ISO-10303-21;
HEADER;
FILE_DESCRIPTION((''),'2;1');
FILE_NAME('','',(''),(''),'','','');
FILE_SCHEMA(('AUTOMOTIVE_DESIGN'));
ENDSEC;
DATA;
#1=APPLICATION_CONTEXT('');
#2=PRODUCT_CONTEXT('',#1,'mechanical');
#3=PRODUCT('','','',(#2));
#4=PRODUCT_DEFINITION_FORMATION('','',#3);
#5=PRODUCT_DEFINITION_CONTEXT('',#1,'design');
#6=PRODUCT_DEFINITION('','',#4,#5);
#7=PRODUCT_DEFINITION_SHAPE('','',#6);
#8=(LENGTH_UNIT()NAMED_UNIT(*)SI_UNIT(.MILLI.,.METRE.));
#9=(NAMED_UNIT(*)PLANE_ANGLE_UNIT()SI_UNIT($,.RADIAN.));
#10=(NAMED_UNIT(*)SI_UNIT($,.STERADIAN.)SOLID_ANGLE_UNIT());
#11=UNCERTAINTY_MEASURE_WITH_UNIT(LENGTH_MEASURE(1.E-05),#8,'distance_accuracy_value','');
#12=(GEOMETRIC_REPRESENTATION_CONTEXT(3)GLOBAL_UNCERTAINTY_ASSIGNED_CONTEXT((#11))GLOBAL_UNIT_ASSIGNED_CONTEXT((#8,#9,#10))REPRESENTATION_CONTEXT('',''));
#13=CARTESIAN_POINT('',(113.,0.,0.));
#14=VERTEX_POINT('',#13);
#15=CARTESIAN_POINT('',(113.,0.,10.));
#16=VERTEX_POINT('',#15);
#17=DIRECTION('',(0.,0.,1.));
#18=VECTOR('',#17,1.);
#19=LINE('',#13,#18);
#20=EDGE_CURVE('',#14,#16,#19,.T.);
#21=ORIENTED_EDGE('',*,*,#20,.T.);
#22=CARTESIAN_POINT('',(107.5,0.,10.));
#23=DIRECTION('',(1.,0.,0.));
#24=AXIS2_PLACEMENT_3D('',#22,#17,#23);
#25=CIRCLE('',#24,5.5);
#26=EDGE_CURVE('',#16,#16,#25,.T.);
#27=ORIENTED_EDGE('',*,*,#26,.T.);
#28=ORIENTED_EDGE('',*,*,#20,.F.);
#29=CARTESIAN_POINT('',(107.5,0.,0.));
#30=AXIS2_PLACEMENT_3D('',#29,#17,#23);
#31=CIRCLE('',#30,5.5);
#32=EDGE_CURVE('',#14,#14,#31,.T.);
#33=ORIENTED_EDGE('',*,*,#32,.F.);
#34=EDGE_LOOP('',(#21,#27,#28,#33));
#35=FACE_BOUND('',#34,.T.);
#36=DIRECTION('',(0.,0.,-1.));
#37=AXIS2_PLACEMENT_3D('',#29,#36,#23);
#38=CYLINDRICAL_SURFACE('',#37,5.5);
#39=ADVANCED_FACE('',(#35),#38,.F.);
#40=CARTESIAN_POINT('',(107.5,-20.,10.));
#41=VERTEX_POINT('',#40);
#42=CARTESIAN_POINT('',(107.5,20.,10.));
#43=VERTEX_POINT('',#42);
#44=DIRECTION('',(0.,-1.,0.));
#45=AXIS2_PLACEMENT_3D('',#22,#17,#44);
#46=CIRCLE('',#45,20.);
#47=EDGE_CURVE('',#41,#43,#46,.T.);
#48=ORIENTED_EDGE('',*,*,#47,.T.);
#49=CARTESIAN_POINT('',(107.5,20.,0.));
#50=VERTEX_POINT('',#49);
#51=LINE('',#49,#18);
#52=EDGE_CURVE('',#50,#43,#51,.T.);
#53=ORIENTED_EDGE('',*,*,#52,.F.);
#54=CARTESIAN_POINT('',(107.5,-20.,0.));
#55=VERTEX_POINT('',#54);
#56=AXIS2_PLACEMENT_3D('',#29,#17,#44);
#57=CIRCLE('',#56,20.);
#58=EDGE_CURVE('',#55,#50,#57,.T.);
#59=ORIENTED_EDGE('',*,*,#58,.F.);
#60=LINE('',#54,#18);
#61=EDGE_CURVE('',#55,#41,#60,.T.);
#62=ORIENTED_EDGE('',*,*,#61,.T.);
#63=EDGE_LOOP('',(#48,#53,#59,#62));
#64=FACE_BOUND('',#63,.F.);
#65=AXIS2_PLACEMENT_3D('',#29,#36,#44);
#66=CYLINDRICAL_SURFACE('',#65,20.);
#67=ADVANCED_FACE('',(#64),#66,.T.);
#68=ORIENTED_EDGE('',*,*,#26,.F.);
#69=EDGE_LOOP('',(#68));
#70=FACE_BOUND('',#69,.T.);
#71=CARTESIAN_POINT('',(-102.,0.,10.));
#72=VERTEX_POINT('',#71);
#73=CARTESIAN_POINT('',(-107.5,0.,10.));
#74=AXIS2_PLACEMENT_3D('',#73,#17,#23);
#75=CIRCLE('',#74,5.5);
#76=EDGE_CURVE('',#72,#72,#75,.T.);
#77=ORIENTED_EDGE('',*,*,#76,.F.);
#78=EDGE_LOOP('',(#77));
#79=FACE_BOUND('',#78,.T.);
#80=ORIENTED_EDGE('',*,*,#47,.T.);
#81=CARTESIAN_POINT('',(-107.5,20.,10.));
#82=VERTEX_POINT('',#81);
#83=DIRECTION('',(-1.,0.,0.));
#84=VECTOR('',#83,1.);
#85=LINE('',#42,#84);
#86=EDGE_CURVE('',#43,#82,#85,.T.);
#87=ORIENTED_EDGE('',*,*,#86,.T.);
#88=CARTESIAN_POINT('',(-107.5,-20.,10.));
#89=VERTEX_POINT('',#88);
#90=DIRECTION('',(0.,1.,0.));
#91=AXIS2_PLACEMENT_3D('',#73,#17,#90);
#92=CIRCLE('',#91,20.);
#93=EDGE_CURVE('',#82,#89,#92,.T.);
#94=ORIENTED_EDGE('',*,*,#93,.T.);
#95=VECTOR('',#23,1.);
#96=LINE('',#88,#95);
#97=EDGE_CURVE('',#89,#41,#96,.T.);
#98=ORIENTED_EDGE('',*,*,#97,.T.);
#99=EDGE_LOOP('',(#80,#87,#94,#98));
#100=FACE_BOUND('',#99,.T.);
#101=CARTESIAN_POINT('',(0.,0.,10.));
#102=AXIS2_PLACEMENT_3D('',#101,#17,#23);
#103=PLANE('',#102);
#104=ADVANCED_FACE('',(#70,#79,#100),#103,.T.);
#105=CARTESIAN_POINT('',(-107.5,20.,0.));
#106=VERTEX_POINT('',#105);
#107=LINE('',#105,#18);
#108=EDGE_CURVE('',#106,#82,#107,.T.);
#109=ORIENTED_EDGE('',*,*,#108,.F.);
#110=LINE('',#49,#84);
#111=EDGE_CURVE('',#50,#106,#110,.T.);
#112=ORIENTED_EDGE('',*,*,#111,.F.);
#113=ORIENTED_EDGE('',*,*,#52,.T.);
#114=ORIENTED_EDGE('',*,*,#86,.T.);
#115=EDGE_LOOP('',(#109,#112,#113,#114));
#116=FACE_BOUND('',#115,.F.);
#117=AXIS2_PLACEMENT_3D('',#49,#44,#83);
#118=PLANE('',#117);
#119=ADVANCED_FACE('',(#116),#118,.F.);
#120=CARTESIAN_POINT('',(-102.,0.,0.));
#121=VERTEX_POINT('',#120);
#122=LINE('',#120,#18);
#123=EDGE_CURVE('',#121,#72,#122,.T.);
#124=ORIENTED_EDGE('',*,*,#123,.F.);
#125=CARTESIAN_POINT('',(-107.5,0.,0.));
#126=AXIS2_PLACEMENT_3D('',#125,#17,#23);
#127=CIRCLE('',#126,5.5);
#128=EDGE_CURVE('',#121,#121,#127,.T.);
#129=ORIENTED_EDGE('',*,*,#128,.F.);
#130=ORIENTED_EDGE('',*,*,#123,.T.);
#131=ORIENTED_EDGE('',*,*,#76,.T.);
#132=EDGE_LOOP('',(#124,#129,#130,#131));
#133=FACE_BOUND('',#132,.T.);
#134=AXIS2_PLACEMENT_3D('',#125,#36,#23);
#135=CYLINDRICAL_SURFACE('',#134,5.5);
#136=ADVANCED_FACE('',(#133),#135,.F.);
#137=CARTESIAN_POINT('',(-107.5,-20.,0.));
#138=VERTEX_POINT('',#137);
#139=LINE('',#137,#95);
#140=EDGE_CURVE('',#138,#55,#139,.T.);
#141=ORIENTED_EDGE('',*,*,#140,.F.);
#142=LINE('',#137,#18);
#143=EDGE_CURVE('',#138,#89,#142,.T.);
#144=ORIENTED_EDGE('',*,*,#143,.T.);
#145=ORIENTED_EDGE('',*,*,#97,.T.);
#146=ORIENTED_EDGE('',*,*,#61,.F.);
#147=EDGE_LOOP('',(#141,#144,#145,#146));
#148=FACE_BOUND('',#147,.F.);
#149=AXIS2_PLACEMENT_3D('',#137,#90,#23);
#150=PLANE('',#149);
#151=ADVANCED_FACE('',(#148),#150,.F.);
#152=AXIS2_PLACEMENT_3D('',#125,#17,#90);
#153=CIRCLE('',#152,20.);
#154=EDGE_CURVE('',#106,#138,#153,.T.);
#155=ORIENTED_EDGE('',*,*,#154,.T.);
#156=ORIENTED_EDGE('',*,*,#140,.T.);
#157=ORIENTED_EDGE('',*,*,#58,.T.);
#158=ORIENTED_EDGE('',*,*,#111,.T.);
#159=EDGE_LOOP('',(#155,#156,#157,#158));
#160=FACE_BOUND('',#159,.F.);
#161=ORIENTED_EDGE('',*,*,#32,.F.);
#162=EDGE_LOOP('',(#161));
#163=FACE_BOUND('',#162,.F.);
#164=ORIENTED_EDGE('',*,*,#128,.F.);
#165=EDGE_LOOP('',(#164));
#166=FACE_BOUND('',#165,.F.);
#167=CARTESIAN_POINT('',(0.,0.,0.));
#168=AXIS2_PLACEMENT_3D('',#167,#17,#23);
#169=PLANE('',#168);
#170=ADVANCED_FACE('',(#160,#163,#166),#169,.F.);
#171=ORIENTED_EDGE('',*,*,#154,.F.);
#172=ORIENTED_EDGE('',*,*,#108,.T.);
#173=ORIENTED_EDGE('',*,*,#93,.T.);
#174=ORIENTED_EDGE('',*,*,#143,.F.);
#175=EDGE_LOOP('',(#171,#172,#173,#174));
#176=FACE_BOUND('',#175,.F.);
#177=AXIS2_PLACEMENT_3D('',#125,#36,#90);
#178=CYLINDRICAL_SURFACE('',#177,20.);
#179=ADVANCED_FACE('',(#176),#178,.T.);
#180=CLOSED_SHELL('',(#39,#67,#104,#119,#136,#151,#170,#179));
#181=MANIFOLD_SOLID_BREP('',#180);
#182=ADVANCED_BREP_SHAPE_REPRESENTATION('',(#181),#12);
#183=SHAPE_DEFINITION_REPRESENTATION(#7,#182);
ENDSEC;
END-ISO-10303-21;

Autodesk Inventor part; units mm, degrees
ref_plane "YZ Plane" through (0, 0, 0) normal (1, 0, 0) x (0, 1, 0)
ref_plane "XZ Plane" through (0, 0, 0) normal (0, 1, 0) x (-1, 0, 0)
ref_plane "XY Plane" through (0, 0, 0) normal (0, 0, 1) x (1, 0, 0)
sketch "Sketch4" plane through (0, 0, 0) normal (0, 0, 1) x (1, 0, 0)
  line L0 (107.5, 20) -> (-107.5, 20)
  line L1 (-107.5, -20) -> (107.5, -20)
  line L2 (107.5, -20) -> (-107.5, 20) construction
  line L3 (107.5, 20) -> (-107.5, -20) construction
  circle A0 centre (-107.5, 0) radius 5.5
  arc A1 (-107.5, 20) -> (-107.5, -20) centre (-107.5, 0) ccw
  circle A2 centre (107.5, 0) radius 5.5
  arc A3 (107.5, -20) -> (107.5, 20) centre (107.5, 0) ccw
  point P0 (0, 0)
  dimension "d20" = 40
  dimension "d21" = 215
  dimension "d22" = 11
  dimension "d23" = 11
extrude "Extrusion3" add sketch "Sketch4" along normal blind 10
properties part number "Eslabon"
